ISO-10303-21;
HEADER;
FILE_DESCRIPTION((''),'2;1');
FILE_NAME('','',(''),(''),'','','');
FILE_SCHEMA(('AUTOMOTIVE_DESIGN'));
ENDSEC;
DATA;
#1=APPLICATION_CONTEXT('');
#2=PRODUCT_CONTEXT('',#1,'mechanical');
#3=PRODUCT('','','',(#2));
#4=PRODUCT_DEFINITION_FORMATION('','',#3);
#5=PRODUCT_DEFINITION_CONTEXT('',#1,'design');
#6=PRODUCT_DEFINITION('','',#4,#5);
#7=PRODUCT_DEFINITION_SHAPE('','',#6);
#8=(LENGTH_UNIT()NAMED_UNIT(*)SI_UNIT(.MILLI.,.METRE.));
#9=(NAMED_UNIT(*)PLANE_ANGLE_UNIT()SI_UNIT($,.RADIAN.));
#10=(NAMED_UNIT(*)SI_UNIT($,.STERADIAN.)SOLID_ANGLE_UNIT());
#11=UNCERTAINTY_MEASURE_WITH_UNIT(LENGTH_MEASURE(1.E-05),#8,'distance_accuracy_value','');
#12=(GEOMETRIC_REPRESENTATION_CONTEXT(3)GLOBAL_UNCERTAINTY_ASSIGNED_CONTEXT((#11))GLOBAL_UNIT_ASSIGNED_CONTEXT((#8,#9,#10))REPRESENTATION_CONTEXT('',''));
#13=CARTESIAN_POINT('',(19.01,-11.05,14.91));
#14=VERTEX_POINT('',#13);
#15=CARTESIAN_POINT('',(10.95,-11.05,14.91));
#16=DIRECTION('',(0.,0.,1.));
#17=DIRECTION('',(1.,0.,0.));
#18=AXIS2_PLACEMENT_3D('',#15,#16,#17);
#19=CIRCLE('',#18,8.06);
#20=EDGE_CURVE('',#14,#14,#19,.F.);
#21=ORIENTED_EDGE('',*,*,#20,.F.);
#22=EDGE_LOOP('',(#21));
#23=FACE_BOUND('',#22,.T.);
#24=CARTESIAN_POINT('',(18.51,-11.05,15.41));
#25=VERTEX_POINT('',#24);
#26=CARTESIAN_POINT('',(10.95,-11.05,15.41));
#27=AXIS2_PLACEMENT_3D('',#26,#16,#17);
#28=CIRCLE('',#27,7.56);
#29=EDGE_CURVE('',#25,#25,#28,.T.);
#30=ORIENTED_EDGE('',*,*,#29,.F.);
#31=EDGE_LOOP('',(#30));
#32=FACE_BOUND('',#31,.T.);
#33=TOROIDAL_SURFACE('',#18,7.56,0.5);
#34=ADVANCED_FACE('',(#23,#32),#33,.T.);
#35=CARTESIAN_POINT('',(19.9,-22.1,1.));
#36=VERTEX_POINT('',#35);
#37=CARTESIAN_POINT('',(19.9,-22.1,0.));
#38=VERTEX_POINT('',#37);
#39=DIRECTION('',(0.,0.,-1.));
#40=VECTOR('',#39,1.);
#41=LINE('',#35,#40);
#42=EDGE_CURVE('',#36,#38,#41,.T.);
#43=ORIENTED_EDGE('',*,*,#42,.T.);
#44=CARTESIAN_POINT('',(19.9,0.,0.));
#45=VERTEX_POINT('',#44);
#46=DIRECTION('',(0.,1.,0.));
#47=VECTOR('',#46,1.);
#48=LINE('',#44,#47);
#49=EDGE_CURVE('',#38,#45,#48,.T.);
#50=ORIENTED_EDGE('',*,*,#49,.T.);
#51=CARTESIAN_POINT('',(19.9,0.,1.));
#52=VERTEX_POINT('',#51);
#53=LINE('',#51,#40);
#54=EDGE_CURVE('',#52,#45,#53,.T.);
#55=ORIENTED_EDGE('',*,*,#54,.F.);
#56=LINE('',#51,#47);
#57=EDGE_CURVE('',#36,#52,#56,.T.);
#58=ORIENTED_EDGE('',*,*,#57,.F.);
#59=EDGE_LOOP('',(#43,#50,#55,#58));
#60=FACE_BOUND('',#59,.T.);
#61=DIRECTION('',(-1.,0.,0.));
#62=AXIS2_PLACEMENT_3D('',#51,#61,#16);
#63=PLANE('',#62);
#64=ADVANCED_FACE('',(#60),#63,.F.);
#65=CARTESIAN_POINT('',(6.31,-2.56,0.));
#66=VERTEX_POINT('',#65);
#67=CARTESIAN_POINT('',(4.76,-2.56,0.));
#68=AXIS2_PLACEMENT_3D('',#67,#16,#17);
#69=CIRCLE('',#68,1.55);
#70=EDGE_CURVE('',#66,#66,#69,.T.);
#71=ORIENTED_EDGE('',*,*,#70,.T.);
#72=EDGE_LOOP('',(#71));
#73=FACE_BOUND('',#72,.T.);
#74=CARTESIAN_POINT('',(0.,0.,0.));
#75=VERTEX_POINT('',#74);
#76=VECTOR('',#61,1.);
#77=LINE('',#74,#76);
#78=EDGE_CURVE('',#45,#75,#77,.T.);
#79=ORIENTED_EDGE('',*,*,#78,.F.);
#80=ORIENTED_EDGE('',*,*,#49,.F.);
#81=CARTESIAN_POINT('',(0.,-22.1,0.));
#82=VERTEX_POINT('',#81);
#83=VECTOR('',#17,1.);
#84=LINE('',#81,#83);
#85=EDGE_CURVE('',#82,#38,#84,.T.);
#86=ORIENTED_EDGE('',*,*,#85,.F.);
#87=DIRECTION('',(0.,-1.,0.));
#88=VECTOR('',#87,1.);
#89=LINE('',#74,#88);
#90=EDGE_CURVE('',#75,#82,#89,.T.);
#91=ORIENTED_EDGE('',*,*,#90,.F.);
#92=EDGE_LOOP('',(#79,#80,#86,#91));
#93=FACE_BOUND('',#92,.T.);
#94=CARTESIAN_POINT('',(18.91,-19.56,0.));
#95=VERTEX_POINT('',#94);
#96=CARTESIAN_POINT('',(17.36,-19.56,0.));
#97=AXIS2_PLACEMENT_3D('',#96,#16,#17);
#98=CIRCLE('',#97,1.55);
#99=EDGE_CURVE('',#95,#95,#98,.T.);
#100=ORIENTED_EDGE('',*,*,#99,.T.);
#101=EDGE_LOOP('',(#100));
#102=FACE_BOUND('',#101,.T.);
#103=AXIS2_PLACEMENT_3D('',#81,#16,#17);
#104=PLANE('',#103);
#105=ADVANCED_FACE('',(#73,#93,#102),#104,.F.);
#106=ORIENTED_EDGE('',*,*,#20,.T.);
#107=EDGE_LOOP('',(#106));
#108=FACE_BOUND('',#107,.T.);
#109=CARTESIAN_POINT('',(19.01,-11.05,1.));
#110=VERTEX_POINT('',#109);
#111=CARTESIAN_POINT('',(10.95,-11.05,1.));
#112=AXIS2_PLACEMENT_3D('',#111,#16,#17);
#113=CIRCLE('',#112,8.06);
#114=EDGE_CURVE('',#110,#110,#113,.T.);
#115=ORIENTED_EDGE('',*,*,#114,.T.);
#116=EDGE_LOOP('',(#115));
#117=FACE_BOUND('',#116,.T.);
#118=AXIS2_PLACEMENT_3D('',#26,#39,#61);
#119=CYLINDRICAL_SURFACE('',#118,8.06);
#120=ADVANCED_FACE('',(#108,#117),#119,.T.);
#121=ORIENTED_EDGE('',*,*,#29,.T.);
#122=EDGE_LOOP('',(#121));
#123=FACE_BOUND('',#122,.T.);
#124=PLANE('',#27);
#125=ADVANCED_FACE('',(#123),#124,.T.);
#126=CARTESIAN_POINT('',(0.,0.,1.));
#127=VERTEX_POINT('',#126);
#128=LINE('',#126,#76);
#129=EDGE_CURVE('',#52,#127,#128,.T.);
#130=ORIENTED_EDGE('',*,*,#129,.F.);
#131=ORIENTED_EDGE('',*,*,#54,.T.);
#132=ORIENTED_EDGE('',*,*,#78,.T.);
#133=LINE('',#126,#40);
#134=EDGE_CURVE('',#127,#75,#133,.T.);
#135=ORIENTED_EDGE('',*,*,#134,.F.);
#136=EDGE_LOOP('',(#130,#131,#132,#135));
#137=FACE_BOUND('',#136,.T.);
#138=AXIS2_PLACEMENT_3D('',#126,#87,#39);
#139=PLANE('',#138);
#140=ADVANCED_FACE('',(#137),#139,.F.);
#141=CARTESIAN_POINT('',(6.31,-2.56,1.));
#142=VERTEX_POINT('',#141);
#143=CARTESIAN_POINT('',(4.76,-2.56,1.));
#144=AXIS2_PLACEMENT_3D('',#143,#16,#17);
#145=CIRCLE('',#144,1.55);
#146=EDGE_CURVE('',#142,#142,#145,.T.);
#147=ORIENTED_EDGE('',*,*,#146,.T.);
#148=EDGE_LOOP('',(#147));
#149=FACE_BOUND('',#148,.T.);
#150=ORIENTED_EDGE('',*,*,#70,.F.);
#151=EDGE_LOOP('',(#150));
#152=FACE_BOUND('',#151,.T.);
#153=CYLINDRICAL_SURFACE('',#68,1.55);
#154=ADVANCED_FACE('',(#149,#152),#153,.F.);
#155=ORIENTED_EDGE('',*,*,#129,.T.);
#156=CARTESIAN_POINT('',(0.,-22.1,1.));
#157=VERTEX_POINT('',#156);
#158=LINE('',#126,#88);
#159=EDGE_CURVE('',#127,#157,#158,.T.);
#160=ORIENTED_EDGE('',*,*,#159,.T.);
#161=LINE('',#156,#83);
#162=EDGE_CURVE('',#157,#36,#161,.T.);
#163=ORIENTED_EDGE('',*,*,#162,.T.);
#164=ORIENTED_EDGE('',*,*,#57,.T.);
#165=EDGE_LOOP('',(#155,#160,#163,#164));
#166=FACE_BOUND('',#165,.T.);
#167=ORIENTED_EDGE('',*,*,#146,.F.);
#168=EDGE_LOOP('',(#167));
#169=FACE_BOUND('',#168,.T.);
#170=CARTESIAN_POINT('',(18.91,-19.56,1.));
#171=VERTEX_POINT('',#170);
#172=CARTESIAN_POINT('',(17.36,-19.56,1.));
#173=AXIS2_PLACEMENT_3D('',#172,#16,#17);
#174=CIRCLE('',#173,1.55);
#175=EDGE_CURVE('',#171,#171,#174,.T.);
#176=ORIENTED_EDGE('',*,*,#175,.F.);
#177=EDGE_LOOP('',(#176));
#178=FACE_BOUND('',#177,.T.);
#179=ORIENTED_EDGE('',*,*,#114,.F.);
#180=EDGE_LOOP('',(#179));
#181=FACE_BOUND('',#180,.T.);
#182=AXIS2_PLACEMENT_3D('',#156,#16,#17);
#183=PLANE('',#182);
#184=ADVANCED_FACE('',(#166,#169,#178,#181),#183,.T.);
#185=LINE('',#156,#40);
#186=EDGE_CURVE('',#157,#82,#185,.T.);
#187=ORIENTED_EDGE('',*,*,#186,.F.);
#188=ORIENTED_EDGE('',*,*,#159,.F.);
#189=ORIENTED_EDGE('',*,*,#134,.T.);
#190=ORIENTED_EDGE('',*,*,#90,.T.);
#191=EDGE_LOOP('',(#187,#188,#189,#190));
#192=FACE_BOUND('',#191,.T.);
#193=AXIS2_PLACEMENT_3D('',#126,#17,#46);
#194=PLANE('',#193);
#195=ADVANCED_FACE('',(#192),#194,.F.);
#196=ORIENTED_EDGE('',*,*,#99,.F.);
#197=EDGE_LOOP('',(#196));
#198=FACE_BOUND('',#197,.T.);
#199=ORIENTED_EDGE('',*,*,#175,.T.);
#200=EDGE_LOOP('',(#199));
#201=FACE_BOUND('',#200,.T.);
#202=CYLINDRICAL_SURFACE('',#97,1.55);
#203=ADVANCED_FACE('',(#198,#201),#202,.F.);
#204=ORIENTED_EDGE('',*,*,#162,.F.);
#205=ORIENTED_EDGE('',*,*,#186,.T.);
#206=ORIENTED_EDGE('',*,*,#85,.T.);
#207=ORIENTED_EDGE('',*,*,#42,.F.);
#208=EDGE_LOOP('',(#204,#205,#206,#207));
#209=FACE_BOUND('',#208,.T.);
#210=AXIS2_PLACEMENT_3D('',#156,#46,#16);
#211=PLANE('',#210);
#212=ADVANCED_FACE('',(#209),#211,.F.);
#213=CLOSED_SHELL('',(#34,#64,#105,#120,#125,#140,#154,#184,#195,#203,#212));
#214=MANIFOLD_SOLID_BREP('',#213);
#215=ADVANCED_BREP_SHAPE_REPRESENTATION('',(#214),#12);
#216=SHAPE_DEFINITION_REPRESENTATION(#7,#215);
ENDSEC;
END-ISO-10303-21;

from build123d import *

# Parameters (mm, degrees)
SKETCH1_W      = 19.9
SKETCH1_H      = 22.1
EXTRUDE1_DEPTH = 1
SKETCH2_R      = 1.55
EXTRUDE2_DEPTH = 1
SKETCH3_R      = 8.06
EXTRUDE3_DEPTH = 14.41
FILLET1_R      = 0.5


with BuildPart() as part:
    # Sketch1 → Extrude1 (new body)
    with BuildSketch(Plane.XY):
        with Locations((9.95, -11.05)):
            Rectangle(SKETCH1_W, SKETCH1_H)
    extrude(amount=EXTRUDE1_DEPTH)

    # Sketch2 → Extrude2 (cut)
    with BuildSketch(Plane.XY.offset(1)):
        with Locations((4.76, -2.56)):
            Circle(SKETCH2_R)
        with Locations((17.36, -19.56)):
            Circle(SKETCH2_R)
    extrude(amount=-EXTRUDE2_DEPTH, mode=Mode.SUBTRACT)

    # Sketch3 → Extrude3 (add)
    with BuildSketch(Plane.XY.offset(1)):
        with Locations((10.95, -11.05)):
            Circle(SKETCH3_R)
    extrude(amount=EXTRUDE3_DEPTH)

    # Fillet1
    fillet1_edges = [part.edges().sort_by_distance(p)[0] for p in [
        (2.89, -11.05, 15.41),
    ]]
    fillet(fillet1_edges, radius=FILLET1_R)


solid = part.part
